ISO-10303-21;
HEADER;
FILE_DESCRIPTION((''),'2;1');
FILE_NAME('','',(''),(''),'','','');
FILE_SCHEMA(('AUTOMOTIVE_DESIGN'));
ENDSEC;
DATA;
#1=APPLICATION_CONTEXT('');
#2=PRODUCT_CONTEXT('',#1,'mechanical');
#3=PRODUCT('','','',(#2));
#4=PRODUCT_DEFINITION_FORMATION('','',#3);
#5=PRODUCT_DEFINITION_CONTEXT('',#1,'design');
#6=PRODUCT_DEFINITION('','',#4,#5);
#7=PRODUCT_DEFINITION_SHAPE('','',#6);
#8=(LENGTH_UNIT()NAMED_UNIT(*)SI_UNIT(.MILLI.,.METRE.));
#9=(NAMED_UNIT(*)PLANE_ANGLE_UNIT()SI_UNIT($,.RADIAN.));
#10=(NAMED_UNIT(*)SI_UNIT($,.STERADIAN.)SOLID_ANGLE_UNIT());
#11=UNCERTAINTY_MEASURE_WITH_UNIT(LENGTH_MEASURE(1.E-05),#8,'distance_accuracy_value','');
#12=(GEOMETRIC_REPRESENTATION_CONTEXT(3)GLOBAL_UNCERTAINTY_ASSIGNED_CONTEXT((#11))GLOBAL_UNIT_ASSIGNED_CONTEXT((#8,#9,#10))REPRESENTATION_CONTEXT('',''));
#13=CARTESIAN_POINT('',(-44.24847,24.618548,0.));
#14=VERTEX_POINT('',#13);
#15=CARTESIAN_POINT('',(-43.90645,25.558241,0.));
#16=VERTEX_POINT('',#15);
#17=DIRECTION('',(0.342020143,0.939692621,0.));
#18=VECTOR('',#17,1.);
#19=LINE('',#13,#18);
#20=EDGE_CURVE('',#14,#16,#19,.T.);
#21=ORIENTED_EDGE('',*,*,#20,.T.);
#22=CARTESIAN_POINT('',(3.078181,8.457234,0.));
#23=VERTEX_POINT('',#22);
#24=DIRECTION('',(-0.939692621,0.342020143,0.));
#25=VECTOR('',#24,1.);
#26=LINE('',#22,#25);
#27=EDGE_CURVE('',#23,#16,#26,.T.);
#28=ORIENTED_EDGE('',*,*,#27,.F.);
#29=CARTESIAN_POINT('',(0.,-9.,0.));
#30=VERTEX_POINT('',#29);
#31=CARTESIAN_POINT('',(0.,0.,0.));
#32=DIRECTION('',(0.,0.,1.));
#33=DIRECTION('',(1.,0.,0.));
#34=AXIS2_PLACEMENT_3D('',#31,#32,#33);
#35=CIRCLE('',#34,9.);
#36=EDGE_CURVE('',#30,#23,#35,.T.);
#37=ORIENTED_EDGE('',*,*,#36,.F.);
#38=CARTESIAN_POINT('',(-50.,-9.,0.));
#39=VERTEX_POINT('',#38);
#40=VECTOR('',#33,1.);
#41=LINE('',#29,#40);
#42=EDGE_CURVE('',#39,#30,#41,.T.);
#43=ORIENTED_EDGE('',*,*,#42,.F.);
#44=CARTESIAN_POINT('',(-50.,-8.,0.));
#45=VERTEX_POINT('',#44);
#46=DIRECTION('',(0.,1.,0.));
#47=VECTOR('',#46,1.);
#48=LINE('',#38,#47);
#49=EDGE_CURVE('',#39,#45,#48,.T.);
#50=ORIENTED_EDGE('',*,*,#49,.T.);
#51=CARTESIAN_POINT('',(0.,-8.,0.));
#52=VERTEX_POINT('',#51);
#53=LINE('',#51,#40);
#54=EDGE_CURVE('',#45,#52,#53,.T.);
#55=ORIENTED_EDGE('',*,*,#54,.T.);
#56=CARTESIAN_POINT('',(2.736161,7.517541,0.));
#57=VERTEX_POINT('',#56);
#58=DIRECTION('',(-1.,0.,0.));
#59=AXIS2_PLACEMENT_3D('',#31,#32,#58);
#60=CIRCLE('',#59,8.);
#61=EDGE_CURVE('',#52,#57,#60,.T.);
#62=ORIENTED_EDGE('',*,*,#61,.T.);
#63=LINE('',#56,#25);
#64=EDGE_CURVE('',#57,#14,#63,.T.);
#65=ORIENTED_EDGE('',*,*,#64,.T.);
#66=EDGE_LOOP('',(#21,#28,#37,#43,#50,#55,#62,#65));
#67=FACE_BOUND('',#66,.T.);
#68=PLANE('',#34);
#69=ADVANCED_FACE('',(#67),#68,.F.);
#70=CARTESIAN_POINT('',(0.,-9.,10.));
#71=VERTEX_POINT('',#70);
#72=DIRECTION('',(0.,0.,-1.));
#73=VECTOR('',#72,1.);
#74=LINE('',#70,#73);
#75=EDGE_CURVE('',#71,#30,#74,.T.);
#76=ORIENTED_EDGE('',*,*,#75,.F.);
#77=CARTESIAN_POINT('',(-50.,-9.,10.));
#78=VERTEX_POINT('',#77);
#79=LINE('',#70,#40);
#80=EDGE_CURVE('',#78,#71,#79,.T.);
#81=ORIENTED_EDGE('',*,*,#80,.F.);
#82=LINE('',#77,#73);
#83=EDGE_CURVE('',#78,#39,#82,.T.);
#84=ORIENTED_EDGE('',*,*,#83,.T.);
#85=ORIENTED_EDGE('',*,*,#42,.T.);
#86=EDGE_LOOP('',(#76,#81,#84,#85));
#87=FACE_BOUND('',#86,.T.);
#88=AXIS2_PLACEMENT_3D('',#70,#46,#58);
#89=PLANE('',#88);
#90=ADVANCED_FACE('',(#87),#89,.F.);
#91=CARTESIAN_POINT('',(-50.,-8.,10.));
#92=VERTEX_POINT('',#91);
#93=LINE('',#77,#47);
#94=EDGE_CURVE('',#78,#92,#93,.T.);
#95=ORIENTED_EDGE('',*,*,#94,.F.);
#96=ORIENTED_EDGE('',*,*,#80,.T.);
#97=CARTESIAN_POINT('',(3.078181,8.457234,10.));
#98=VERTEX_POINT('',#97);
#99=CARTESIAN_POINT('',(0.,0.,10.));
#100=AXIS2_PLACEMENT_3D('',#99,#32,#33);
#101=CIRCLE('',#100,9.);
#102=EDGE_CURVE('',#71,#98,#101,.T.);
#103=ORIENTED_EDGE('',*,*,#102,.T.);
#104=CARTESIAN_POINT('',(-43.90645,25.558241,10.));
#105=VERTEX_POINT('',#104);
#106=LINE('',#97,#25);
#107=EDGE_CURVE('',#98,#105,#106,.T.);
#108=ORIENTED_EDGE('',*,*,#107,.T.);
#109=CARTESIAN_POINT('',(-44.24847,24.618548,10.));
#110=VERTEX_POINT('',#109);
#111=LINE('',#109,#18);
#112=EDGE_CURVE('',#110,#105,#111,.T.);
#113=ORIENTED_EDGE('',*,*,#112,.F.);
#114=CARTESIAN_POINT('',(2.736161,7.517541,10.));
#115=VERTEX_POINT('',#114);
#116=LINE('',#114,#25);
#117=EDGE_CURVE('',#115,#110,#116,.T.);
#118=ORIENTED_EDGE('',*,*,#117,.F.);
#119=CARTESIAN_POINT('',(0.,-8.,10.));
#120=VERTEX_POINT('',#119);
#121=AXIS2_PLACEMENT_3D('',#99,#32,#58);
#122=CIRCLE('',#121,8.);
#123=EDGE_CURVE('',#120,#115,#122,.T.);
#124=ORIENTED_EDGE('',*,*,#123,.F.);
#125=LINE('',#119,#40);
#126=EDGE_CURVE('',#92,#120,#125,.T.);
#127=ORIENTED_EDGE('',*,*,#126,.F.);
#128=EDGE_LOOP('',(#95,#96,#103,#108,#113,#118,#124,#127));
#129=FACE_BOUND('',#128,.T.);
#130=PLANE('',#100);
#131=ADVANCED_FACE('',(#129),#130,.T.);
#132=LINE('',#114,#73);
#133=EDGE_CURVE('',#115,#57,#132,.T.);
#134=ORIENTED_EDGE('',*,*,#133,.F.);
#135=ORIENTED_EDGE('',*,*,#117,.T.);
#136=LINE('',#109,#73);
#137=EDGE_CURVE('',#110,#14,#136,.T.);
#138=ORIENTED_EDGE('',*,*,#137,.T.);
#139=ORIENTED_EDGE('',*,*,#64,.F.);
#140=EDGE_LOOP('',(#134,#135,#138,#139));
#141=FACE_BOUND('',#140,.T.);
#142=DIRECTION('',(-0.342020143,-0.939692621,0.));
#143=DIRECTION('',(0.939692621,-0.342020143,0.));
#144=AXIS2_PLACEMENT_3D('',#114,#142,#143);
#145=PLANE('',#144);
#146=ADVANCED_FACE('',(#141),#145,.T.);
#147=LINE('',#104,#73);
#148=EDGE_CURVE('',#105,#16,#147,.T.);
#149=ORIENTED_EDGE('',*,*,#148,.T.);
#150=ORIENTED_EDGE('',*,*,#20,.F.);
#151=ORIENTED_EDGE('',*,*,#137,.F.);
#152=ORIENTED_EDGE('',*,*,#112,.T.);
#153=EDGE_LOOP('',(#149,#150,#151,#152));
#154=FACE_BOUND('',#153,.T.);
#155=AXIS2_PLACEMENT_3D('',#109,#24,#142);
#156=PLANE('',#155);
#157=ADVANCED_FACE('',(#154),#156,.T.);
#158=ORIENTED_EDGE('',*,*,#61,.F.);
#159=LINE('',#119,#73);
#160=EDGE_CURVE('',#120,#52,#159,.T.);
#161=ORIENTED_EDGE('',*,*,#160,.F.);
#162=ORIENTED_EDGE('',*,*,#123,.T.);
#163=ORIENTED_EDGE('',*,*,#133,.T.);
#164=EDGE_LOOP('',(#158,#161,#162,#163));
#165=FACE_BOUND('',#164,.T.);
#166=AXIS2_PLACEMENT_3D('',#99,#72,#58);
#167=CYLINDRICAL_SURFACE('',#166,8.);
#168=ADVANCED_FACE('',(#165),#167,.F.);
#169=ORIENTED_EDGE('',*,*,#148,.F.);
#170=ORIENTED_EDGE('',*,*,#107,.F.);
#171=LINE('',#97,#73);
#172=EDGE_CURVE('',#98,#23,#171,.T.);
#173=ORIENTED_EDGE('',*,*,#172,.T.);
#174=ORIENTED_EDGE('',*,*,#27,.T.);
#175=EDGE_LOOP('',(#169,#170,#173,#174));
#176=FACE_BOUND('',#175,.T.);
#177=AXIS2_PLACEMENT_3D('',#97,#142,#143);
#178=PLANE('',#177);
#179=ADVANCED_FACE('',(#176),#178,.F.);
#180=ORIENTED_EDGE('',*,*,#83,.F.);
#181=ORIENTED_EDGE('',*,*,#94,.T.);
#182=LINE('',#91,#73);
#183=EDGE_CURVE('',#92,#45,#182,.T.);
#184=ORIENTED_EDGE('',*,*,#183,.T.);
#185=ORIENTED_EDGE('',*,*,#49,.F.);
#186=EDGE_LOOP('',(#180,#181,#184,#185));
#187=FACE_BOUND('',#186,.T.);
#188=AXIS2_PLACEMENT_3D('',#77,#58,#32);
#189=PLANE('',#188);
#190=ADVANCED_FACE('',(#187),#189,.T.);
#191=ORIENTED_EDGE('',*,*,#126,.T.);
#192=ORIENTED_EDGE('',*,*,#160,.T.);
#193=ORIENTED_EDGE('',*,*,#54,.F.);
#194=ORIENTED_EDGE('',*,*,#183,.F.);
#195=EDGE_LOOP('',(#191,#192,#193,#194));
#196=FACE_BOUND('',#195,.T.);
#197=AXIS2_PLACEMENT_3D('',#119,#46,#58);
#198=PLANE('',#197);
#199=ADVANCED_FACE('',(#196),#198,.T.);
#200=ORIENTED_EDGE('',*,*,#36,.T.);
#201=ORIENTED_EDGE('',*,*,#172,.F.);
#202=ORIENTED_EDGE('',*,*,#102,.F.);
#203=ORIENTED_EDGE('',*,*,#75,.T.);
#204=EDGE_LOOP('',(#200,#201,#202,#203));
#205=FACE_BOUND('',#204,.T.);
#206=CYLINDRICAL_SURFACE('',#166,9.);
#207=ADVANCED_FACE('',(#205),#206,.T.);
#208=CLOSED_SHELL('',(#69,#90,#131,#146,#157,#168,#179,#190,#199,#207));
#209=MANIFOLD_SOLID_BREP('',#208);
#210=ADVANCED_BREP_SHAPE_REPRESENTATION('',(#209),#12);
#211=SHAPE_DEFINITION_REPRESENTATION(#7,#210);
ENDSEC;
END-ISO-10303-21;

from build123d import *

# Parameters (mm, degrees)
EXTRUDE_THIN1_DEPTH = 10


with BuildPart() as part:
    # Sketch1 → Extrude-Thin1 (new body)
    with BuildSketch(Plane.XY):
        with BuildLine():
            Line((-44.248469893, 24.618548133), (2.736161147, 7.517540966))
            ThreePointArc((2.736161147, 7.517540966), (7.878462024, -1.389185421), (0, -8))
            Line((0, -8), (-50, -8))
            Line((-50, -8), (-50, -9))
            Line((-50, -9), (0, -9))
            ThreePointArc((0, -9), (8.863269777, -1.562833599), (3.07818129, 8.457233587))
            Line((3.07818129, 8.457233587), (-43.906449749, 25.558240753))
            Line((-43.906449749, 25.558240753), (-44.248469893, 24.618548133))
        make_face()
    extrude(amount=EXTRUDE_THIN1_DEPTH)


solid = part.part
